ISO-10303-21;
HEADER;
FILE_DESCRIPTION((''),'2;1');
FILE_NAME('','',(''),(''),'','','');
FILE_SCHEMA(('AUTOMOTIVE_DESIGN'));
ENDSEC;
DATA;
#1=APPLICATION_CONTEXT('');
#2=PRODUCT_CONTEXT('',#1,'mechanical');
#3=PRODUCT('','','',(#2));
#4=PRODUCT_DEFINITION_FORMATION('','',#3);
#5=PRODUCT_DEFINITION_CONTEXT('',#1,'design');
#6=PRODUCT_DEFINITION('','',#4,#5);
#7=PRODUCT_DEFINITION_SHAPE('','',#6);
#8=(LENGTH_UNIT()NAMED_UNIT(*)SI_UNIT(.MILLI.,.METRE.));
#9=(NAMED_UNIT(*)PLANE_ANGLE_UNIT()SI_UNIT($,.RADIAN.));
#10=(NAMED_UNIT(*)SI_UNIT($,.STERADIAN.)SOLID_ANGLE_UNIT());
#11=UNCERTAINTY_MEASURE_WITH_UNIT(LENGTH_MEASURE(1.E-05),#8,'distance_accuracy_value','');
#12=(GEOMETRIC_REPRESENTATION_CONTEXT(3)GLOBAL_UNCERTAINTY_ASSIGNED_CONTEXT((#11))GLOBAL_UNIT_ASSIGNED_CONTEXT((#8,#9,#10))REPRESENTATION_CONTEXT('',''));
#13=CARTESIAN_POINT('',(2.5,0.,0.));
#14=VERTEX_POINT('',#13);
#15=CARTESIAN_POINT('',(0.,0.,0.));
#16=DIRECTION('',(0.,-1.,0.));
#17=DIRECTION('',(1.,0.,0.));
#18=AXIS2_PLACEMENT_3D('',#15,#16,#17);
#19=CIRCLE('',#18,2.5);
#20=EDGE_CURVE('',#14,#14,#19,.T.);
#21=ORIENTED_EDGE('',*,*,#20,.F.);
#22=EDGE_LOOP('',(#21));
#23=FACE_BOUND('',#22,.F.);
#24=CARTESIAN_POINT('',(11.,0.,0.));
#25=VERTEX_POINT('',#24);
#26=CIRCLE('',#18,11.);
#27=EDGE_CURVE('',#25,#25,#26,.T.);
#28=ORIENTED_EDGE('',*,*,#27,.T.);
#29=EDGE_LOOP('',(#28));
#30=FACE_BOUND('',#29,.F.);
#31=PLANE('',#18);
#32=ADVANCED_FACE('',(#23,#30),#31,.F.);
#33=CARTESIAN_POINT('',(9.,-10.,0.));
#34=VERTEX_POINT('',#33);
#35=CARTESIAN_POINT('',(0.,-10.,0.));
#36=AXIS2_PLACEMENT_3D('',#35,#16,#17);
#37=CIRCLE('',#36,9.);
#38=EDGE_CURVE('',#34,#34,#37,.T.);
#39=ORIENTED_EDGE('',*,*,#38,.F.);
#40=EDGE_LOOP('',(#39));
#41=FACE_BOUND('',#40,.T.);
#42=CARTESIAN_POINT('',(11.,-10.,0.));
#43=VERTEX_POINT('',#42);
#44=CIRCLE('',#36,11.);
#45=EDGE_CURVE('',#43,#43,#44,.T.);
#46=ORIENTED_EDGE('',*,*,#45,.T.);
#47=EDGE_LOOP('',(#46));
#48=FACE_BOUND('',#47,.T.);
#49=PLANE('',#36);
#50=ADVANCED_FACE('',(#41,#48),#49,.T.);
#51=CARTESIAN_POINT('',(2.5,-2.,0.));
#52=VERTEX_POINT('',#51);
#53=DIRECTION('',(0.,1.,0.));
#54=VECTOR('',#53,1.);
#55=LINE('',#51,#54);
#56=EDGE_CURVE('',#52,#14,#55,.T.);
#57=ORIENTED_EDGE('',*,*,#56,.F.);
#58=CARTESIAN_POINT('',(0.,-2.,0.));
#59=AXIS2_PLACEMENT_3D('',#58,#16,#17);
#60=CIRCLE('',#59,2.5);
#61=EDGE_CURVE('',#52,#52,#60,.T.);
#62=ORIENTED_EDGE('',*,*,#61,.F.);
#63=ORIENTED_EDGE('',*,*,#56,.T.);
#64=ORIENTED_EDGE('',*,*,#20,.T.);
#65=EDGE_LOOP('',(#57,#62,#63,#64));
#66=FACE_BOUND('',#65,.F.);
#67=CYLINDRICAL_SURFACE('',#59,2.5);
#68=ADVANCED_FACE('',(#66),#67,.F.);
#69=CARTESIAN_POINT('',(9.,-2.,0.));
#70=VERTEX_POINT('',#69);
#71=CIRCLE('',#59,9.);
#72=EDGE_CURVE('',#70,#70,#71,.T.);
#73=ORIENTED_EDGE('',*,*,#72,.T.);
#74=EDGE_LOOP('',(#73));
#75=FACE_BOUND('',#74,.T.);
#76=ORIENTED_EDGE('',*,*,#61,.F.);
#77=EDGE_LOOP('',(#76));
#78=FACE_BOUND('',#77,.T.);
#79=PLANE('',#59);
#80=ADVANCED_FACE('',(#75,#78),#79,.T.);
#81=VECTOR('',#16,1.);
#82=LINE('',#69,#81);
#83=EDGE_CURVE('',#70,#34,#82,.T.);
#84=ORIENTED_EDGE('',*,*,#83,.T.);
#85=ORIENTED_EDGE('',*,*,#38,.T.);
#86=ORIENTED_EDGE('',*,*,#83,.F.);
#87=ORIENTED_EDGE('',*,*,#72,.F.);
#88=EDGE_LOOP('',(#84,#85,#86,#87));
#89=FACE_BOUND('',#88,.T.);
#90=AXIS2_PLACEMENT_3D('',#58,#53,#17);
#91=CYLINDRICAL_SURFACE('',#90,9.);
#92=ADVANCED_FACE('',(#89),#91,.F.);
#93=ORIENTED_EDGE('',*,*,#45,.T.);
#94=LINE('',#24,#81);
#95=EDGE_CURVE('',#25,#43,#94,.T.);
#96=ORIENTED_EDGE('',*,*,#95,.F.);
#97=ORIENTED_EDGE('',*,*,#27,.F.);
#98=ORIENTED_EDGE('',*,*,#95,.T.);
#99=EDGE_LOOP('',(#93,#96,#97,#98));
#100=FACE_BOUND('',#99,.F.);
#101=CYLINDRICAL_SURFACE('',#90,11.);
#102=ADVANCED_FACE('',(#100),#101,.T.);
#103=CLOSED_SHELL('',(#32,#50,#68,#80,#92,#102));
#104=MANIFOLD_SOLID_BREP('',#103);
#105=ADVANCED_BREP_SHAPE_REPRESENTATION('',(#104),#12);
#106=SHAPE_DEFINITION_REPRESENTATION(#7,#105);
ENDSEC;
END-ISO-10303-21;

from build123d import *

# Parameters (mm, degrees)
F0_R     = 11
F1_DEPTH = 2
F2_R     = 2.5
F3_DEPTH = 25
F4_R     = 11
F4_R_2   = 9
F5_DEPTH = 8


with BuildPart() as f1:
    # F0 (on Front) → F1 (new body)
    with BuildSketch(Plane.XZ):
        Circle(F0_R)
    extrude(amount=F1_DEPTH)

    # F2 (on face) → F3 (cut)
    with BuildSketch(Plane.XZ.offset(2)):
        Circle(F2_R)
    extrude(amount=-F3_DEPTH, mode=Mode.SUBTRACT)

    # F4 (on face) → F5 (join)
    with BuildSketch(Plane.XZ.offset(2)):
        Circle(F4_R)
        Circle(F4_R_2, mode=Mode.SUBTRACT)
    extrude(amount=F5_DEPTH)


solid = f1.part
